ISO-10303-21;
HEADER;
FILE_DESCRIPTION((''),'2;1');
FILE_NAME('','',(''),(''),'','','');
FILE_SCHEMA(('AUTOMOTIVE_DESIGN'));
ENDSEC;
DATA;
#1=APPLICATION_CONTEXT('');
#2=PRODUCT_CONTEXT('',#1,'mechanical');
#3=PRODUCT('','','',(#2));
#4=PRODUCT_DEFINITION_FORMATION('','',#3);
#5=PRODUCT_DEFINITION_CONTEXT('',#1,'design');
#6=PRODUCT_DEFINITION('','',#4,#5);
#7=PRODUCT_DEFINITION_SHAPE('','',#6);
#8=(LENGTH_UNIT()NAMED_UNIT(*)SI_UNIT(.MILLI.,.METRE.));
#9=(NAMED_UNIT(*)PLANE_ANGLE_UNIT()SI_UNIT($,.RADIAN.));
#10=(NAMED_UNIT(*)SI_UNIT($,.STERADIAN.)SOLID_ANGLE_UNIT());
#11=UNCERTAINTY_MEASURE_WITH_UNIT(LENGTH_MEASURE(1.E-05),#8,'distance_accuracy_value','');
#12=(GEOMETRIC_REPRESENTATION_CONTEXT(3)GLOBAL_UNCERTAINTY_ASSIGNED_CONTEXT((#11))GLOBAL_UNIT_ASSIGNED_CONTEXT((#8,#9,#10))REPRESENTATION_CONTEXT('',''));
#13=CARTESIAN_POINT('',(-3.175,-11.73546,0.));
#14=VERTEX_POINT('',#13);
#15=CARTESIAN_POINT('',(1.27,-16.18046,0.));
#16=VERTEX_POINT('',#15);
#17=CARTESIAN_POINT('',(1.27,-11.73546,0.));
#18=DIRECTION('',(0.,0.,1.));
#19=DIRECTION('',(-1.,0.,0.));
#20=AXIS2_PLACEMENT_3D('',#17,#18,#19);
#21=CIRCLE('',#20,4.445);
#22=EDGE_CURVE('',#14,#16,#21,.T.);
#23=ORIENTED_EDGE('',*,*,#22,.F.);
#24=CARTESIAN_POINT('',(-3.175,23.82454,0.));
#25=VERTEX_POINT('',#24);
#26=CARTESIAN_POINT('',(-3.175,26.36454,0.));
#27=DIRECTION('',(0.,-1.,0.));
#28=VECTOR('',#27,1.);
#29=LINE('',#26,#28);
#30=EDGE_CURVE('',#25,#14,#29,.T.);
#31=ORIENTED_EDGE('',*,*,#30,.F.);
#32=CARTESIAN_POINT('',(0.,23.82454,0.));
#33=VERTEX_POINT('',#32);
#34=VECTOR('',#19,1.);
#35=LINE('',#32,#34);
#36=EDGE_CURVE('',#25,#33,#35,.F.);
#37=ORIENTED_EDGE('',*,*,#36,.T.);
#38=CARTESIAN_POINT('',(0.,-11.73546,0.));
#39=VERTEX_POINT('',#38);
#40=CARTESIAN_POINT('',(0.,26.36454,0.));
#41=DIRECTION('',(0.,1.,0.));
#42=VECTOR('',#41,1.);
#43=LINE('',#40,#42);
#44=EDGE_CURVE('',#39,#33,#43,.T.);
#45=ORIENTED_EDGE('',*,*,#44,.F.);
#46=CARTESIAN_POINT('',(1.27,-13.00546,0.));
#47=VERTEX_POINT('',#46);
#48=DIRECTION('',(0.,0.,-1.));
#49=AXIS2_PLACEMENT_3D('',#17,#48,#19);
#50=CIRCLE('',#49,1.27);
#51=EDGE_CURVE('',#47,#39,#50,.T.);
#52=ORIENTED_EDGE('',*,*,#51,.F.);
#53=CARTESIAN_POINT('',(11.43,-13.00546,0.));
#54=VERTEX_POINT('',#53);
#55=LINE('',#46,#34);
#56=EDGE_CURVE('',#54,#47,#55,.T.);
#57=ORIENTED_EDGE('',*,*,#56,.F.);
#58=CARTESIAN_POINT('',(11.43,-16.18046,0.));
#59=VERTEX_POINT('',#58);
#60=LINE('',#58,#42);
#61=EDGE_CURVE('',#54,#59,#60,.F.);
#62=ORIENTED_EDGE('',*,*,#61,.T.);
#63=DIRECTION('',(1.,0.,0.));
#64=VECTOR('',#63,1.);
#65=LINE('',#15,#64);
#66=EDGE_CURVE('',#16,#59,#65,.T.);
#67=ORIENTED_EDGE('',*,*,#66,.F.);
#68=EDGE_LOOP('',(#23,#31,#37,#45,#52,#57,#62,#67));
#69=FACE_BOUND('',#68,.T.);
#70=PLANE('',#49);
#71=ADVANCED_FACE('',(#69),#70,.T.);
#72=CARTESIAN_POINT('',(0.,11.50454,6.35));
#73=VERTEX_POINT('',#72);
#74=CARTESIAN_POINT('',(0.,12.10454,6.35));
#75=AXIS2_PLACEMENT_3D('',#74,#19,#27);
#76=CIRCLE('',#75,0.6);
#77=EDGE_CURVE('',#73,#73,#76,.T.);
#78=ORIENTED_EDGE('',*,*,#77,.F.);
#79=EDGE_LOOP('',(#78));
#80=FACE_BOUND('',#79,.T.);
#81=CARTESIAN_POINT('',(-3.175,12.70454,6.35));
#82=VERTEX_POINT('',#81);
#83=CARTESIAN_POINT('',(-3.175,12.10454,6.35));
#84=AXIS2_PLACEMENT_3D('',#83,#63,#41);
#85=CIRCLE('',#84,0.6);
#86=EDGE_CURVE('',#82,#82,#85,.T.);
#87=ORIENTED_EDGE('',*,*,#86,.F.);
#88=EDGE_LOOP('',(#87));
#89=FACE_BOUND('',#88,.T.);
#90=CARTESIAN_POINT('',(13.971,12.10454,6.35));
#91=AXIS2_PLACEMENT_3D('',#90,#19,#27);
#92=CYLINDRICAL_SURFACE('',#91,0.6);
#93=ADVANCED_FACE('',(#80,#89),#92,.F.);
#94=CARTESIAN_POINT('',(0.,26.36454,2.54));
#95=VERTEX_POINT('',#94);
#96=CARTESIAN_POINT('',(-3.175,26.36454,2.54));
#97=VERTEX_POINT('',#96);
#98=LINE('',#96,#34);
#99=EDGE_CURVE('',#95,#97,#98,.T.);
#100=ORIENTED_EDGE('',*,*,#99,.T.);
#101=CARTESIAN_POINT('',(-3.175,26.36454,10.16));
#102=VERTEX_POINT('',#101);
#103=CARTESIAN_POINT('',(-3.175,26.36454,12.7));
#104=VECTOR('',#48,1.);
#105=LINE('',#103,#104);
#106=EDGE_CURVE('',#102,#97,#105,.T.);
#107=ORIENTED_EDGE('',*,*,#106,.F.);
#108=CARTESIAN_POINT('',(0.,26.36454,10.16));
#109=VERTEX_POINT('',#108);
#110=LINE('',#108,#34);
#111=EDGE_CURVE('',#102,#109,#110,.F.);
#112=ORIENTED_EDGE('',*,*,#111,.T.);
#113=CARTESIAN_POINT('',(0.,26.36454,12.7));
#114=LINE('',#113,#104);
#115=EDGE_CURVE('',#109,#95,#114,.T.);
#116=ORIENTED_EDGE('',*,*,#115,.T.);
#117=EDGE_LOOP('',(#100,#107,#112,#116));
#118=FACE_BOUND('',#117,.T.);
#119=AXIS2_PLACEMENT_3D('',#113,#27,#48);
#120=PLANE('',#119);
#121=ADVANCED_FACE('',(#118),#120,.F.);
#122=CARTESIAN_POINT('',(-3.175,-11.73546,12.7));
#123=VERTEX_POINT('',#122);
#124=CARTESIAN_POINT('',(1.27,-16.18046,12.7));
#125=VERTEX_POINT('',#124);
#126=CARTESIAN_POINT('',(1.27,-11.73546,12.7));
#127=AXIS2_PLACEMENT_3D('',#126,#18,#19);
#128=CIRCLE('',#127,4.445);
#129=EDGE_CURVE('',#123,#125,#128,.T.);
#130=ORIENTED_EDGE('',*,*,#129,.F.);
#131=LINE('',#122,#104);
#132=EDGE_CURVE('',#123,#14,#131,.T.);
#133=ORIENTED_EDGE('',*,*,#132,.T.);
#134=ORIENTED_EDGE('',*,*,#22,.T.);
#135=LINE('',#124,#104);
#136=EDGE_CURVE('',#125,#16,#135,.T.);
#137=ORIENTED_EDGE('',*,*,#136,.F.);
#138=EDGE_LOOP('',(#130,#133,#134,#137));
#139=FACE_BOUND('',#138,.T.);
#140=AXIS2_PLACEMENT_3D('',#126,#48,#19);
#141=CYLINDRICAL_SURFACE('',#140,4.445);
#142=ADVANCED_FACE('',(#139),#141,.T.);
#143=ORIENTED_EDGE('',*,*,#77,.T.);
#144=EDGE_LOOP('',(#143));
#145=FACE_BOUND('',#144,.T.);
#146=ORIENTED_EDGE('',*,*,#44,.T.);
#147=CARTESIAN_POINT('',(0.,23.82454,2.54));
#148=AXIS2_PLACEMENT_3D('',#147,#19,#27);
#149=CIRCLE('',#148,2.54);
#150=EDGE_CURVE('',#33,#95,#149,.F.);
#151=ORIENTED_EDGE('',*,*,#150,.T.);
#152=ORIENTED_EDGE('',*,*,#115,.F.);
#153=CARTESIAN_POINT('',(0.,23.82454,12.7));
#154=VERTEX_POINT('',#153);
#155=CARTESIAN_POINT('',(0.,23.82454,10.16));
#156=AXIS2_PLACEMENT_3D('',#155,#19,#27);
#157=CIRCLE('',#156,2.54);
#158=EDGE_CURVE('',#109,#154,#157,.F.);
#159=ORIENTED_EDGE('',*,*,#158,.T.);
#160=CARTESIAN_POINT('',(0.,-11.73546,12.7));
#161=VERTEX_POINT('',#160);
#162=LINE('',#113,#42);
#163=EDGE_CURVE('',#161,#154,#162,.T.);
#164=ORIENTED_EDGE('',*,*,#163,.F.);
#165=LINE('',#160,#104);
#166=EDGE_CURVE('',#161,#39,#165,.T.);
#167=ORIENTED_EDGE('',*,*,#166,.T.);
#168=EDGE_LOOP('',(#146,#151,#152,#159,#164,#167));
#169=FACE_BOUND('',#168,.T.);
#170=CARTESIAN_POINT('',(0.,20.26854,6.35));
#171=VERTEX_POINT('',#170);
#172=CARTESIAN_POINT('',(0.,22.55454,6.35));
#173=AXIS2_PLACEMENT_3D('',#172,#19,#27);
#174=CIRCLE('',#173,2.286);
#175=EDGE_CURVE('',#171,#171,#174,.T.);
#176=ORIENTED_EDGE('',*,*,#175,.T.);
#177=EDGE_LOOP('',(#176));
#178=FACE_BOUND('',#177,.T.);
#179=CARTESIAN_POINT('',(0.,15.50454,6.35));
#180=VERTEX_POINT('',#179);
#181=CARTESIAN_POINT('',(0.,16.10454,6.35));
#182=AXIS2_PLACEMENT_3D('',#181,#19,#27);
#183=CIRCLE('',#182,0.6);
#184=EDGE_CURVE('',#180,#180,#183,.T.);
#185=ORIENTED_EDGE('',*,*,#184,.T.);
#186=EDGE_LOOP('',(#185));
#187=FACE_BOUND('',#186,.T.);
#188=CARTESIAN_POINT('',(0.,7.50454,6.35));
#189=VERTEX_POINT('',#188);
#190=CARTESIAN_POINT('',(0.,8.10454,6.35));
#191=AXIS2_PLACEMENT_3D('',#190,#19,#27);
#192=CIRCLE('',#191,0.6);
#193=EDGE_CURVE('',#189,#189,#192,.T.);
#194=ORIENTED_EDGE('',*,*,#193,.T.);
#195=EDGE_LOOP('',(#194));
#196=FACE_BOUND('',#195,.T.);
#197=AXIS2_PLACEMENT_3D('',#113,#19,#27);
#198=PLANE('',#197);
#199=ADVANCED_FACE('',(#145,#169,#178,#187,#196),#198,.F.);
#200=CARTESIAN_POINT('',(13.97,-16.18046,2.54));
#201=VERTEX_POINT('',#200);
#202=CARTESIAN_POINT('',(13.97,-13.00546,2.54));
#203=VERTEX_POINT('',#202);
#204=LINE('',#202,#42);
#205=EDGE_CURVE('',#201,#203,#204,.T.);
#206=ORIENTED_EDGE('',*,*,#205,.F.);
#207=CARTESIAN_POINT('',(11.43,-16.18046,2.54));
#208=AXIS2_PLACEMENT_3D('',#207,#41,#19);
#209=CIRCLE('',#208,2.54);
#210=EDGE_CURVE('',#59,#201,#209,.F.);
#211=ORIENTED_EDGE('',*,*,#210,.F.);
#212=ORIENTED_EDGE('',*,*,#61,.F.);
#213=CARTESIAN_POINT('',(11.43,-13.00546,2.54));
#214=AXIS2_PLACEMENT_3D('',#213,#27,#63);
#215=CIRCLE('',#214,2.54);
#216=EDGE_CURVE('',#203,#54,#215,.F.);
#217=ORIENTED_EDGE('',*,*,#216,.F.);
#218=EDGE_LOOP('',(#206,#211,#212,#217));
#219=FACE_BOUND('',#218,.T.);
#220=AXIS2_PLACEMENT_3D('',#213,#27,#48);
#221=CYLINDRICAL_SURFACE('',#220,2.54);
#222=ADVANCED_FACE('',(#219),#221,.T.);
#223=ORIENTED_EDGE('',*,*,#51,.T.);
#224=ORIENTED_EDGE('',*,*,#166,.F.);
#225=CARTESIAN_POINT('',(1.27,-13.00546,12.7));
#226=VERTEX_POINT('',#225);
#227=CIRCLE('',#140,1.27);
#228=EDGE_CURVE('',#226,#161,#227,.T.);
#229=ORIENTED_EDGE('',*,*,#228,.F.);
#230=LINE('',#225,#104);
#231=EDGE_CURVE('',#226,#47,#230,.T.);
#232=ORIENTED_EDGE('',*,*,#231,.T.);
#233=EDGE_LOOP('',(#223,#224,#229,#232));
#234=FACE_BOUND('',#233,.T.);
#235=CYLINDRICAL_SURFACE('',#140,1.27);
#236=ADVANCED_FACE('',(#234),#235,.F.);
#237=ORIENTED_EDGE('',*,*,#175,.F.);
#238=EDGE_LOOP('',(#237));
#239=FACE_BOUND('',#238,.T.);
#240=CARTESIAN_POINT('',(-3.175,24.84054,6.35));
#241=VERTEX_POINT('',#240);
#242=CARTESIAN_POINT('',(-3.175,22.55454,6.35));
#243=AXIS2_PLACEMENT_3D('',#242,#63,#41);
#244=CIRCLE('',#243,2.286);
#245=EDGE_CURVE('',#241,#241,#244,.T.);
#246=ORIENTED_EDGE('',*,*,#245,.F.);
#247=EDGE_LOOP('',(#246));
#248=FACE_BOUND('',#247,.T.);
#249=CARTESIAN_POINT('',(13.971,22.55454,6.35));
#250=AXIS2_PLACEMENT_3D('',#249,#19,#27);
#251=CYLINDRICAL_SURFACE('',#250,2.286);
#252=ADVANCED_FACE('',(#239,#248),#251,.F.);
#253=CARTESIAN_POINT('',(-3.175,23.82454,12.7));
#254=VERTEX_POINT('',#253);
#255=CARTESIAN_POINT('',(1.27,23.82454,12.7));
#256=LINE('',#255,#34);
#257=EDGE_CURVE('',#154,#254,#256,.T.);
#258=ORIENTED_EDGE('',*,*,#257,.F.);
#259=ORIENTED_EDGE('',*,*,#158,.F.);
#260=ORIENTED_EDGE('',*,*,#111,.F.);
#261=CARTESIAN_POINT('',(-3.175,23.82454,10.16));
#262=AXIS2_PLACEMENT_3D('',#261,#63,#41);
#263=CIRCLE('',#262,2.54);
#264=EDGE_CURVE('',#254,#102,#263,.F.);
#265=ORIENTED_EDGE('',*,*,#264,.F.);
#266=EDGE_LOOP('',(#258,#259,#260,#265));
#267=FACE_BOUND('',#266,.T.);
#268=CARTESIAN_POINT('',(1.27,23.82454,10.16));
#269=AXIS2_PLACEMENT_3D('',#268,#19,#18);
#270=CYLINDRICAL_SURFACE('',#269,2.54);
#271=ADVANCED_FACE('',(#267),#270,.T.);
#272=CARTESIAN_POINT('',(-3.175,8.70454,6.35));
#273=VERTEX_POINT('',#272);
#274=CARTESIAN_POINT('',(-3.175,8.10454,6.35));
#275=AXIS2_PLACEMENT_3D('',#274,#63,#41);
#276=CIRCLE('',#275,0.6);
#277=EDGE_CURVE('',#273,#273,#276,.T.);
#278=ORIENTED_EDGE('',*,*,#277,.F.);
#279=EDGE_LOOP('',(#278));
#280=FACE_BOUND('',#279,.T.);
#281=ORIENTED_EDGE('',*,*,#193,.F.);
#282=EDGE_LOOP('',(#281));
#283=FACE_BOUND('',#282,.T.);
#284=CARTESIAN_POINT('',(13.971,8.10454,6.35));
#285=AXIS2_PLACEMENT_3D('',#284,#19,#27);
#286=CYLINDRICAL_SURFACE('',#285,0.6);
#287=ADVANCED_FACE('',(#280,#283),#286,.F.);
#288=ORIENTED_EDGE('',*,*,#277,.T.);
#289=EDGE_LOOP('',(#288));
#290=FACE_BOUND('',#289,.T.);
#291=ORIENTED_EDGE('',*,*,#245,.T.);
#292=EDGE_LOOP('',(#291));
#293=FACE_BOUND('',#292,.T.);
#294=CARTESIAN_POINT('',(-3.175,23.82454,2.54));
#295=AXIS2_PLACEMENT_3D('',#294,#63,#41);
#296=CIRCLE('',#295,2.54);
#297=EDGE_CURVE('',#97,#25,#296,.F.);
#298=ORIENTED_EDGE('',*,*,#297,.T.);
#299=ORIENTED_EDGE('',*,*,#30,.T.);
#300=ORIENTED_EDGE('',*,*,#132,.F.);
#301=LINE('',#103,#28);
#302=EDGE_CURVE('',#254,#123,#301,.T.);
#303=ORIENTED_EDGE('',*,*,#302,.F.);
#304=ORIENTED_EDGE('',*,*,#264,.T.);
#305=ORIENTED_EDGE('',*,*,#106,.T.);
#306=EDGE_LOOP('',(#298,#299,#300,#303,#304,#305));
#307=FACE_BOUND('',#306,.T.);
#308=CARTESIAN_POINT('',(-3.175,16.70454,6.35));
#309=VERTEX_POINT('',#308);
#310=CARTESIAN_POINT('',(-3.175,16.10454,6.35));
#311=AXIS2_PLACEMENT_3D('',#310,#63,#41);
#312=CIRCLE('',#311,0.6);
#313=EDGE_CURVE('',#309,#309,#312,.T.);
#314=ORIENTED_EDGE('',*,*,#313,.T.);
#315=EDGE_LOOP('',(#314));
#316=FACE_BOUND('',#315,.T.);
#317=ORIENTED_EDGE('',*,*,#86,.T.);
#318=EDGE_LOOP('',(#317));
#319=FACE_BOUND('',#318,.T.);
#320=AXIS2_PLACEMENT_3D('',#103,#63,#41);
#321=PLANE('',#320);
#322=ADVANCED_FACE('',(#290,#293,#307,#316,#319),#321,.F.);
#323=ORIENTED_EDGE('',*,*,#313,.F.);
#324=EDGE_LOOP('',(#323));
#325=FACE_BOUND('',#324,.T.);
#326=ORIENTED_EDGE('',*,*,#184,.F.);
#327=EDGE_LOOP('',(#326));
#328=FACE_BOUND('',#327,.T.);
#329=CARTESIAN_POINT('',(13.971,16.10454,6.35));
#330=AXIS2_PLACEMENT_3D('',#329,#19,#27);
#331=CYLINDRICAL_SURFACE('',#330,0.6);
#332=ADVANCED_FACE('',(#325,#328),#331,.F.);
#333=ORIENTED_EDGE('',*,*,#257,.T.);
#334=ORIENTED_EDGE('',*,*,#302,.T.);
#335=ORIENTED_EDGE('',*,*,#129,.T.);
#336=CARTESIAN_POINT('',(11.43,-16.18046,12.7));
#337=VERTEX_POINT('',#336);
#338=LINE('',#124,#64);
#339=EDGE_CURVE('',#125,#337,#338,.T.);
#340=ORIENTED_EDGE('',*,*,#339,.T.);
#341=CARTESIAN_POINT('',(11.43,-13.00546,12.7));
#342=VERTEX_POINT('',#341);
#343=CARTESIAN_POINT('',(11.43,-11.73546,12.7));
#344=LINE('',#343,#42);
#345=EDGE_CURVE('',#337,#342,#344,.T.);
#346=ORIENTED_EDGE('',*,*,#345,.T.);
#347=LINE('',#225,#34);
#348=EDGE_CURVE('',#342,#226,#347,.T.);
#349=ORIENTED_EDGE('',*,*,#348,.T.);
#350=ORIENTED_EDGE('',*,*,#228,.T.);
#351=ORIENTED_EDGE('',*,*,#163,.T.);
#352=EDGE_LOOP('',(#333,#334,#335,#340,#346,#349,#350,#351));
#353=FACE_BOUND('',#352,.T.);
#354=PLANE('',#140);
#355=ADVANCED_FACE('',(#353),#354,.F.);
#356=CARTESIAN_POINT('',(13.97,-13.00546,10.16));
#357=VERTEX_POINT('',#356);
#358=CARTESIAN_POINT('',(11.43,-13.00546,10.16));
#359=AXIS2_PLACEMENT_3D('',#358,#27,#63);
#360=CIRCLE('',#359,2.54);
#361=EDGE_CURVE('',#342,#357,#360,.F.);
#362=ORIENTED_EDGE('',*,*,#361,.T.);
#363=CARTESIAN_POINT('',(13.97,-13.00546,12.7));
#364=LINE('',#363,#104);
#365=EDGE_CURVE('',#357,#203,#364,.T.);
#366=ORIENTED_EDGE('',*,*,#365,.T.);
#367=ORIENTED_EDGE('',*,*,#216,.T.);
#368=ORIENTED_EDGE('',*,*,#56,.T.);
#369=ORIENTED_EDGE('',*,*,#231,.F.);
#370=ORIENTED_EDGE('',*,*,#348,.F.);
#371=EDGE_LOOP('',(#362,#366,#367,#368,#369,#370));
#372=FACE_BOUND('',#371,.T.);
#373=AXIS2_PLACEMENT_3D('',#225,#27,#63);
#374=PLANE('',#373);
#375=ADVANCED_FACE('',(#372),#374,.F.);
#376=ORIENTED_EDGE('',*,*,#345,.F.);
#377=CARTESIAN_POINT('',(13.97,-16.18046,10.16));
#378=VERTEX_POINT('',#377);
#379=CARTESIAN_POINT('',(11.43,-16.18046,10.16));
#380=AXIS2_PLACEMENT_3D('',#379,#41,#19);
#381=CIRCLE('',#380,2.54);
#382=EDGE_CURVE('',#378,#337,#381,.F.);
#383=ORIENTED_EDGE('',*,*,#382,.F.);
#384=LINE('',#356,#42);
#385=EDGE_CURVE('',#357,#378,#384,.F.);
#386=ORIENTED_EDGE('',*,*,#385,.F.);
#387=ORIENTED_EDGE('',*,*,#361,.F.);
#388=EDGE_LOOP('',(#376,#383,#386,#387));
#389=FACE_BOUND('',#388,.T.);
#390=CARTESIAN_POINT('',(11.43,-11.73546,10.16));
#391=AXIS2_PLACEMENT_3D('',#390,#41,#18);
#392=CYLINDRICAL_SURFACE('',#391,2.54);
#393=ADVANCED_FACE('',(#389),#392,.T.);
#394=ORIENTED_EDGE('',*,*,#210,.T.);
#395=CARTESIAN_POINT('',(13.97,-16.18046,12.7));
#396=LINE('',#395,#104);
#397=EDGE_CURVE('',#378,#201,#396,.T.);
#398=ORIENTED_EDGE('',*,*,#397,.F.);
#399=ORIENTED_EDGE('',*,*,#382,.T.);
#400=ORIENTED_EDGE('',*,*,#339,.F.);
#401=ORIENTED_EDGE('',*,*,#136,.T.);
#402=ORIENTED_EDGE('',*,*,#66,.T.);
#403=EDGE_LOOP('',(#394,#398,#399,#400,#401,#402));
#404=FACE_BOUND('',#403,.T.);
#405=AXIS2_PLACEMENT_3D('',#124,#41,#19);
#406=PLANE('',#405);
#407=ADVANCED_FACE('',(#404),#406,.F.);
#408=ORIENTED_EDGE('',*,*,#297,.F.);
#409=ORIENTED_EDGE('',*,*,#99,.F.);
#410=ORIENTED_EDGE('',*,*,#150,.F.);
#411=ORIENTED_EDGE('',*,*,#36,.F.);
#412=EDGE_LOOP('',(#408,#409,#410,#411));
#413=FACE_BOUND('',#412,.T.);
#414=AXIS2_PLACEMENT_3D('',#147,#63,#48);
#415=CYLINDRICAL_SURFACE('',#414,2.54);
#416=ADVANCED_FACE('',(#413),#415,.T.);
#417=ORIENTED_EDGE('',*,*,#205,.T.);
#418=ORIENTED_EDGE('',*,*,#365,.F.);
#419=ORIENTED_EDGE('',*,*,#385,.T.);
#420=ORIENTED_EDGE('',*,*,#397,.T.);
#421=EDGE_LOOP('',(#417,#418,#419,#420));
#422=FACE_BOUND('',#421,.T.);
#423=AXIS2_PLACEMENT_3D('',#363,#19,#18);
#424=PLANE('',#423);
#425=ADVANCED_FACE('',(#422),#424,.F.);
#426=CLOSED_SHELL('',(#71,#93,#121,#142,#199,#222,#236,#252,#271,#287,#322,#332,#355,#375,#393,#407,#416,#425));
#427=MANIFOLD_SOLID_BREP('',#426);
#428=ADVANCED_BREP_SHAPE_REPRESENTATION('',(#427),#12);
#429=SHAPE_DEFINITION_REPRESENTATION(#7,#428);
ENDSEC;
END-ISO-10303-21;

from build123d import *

# Parameters (mm, degrees)
BOSS_EXTRUDE1_DEPTH = 12.7
CUT_EXTRUDE1_REACH  = 35.917
SKETCH2_R           = 2.286
SKETCH2_R_2         = 0.6
FILLET1_R           = 2.54


with BuildPart() as part:
    # Sketch1 → Boss-Extrude1 (new body)
    with BuildSketch(Plane.XY):
        with BuildLine():
            Line((0, 26.364540169), (0, -11.735459831))
            ThreePointArc((0, -11.735459831), (0.371974388, -12.633485443), (1.27, -13.005459831))
            Line((1.27, -13.005459831), (13.97, -13.005459831))
            Line((13.97, -13.005459831), (13.97, -16.180459831))
            Line((13.97, -16.180459831), (1.27, -16.180459831))
            ThreePointArc((1.27, -16.180459831), (-1.873089642, -14.878549473), (-3.175, -11.735459831))
            Line((-3.175, -11.735459831), (-3.175, 26.364540169))
            Line((-3.175, 26.364540169), (0, 26.364540169))
        make_face()
    extrude(amount=BOSS_EXTRUDE1_DEPTH)

    # Sketch2 → Cut-Extrude1 (cut, up to next)
    with BuildSketch(Plane.ZY.offset(3.175), mode=Mode.PRIVATE) as cut_extrude1_sk1:
        with Locations((6.35, 22.554540169)):
            Circle(SKETCH2_R)
    cut_extrude1_tool1 = extrude(cut_extrude1_sk1.sketch, amount=-CUT_EXTRUDE1_REACH, mode=Mode.PRIVATE) & part.part
    # Sketch2 → Cut-Extrude1 (cut, up to next)
    with BuildSketch(Plane.ZY.offset(3.175), mode=Mode.PRIVATE) as cut_extrude1_sk2:
        with Locations((6.35, 16.104540169)):
            Circle(SKETCH2_R_2)
    cut_extrude1_tool2 = extrude(cut_extrude1_sk2.sketch, amount=-CUT_EXTRUDE1_REACH, mode=Mode.PRIVATE) & part.part
    # Sketch2 → Cut-Extrude1 (cut, up to next)
    with BuildSketch(Plane.ZY.offset(3.175), mode=Mode.PRIVATE) as cut_extrude1_sk3:
        with Locations((6.35, 12.104540169)):
            Circle(SKETCH2_R_2)
    cut_extrude1_tool3 = extrude(cut_extrude1_sk3.sketch, amount=-CUT_EXTRUDE1_REACH, mode=Mode.PRIVATE) & part.part
    # Sketch2 → Cut-Extrude1 (cut, up to next)
    with BuildSketch(Plane.ZY.offset(3.175), mode=Mode.PRIVATE) as cut_extrude1_sk4:
        with Locations((6.35, 8.104540169)):
            Circle(SKETCH2_R_2)
    cut_extrude1_tool4 = extrude(cut_extrude1_sk4.sketch, amount=-CUT_EXTRUDE1_REACH, mode=Mode.PRIVATE) & part.part
    add(cut_extrude1_tool1.solids().sort_by_distance((-3.175, 22.55454, 6.35))[0], mode=Mode.SUBTRACT)
    add(cut_extrude1_tool2.solids().sort_by_distance((-3.175, 16.10454, 6.35))[0], mode=Mode.SUBTRACT)
    add(cut_extrude1_tool3.solids().sort_by_distance((-3.175, 12.10454, 6.35))[0], mode=Mode.SUBTRACT)
    add(cut_extrude1_tool4.solids().sort_by_distance((-3.175, 8.10454, 6.35))[0], mode=Mode.SUBTRACT)

    # Fillet1
    fillet1_edges = [part.edges().sort_by_distance(p)[0] for p in [
        (13.97, -14.592959831, 0),
        (13.97, -14.592959831, 12.7),
        (-1.5875, 26.364540169, 0),
        (-1.5875, 26.364540169, 12.7),
    ]]
    fillet(fillet1_edges, radius=FILLET1_R)


solid = part.part
